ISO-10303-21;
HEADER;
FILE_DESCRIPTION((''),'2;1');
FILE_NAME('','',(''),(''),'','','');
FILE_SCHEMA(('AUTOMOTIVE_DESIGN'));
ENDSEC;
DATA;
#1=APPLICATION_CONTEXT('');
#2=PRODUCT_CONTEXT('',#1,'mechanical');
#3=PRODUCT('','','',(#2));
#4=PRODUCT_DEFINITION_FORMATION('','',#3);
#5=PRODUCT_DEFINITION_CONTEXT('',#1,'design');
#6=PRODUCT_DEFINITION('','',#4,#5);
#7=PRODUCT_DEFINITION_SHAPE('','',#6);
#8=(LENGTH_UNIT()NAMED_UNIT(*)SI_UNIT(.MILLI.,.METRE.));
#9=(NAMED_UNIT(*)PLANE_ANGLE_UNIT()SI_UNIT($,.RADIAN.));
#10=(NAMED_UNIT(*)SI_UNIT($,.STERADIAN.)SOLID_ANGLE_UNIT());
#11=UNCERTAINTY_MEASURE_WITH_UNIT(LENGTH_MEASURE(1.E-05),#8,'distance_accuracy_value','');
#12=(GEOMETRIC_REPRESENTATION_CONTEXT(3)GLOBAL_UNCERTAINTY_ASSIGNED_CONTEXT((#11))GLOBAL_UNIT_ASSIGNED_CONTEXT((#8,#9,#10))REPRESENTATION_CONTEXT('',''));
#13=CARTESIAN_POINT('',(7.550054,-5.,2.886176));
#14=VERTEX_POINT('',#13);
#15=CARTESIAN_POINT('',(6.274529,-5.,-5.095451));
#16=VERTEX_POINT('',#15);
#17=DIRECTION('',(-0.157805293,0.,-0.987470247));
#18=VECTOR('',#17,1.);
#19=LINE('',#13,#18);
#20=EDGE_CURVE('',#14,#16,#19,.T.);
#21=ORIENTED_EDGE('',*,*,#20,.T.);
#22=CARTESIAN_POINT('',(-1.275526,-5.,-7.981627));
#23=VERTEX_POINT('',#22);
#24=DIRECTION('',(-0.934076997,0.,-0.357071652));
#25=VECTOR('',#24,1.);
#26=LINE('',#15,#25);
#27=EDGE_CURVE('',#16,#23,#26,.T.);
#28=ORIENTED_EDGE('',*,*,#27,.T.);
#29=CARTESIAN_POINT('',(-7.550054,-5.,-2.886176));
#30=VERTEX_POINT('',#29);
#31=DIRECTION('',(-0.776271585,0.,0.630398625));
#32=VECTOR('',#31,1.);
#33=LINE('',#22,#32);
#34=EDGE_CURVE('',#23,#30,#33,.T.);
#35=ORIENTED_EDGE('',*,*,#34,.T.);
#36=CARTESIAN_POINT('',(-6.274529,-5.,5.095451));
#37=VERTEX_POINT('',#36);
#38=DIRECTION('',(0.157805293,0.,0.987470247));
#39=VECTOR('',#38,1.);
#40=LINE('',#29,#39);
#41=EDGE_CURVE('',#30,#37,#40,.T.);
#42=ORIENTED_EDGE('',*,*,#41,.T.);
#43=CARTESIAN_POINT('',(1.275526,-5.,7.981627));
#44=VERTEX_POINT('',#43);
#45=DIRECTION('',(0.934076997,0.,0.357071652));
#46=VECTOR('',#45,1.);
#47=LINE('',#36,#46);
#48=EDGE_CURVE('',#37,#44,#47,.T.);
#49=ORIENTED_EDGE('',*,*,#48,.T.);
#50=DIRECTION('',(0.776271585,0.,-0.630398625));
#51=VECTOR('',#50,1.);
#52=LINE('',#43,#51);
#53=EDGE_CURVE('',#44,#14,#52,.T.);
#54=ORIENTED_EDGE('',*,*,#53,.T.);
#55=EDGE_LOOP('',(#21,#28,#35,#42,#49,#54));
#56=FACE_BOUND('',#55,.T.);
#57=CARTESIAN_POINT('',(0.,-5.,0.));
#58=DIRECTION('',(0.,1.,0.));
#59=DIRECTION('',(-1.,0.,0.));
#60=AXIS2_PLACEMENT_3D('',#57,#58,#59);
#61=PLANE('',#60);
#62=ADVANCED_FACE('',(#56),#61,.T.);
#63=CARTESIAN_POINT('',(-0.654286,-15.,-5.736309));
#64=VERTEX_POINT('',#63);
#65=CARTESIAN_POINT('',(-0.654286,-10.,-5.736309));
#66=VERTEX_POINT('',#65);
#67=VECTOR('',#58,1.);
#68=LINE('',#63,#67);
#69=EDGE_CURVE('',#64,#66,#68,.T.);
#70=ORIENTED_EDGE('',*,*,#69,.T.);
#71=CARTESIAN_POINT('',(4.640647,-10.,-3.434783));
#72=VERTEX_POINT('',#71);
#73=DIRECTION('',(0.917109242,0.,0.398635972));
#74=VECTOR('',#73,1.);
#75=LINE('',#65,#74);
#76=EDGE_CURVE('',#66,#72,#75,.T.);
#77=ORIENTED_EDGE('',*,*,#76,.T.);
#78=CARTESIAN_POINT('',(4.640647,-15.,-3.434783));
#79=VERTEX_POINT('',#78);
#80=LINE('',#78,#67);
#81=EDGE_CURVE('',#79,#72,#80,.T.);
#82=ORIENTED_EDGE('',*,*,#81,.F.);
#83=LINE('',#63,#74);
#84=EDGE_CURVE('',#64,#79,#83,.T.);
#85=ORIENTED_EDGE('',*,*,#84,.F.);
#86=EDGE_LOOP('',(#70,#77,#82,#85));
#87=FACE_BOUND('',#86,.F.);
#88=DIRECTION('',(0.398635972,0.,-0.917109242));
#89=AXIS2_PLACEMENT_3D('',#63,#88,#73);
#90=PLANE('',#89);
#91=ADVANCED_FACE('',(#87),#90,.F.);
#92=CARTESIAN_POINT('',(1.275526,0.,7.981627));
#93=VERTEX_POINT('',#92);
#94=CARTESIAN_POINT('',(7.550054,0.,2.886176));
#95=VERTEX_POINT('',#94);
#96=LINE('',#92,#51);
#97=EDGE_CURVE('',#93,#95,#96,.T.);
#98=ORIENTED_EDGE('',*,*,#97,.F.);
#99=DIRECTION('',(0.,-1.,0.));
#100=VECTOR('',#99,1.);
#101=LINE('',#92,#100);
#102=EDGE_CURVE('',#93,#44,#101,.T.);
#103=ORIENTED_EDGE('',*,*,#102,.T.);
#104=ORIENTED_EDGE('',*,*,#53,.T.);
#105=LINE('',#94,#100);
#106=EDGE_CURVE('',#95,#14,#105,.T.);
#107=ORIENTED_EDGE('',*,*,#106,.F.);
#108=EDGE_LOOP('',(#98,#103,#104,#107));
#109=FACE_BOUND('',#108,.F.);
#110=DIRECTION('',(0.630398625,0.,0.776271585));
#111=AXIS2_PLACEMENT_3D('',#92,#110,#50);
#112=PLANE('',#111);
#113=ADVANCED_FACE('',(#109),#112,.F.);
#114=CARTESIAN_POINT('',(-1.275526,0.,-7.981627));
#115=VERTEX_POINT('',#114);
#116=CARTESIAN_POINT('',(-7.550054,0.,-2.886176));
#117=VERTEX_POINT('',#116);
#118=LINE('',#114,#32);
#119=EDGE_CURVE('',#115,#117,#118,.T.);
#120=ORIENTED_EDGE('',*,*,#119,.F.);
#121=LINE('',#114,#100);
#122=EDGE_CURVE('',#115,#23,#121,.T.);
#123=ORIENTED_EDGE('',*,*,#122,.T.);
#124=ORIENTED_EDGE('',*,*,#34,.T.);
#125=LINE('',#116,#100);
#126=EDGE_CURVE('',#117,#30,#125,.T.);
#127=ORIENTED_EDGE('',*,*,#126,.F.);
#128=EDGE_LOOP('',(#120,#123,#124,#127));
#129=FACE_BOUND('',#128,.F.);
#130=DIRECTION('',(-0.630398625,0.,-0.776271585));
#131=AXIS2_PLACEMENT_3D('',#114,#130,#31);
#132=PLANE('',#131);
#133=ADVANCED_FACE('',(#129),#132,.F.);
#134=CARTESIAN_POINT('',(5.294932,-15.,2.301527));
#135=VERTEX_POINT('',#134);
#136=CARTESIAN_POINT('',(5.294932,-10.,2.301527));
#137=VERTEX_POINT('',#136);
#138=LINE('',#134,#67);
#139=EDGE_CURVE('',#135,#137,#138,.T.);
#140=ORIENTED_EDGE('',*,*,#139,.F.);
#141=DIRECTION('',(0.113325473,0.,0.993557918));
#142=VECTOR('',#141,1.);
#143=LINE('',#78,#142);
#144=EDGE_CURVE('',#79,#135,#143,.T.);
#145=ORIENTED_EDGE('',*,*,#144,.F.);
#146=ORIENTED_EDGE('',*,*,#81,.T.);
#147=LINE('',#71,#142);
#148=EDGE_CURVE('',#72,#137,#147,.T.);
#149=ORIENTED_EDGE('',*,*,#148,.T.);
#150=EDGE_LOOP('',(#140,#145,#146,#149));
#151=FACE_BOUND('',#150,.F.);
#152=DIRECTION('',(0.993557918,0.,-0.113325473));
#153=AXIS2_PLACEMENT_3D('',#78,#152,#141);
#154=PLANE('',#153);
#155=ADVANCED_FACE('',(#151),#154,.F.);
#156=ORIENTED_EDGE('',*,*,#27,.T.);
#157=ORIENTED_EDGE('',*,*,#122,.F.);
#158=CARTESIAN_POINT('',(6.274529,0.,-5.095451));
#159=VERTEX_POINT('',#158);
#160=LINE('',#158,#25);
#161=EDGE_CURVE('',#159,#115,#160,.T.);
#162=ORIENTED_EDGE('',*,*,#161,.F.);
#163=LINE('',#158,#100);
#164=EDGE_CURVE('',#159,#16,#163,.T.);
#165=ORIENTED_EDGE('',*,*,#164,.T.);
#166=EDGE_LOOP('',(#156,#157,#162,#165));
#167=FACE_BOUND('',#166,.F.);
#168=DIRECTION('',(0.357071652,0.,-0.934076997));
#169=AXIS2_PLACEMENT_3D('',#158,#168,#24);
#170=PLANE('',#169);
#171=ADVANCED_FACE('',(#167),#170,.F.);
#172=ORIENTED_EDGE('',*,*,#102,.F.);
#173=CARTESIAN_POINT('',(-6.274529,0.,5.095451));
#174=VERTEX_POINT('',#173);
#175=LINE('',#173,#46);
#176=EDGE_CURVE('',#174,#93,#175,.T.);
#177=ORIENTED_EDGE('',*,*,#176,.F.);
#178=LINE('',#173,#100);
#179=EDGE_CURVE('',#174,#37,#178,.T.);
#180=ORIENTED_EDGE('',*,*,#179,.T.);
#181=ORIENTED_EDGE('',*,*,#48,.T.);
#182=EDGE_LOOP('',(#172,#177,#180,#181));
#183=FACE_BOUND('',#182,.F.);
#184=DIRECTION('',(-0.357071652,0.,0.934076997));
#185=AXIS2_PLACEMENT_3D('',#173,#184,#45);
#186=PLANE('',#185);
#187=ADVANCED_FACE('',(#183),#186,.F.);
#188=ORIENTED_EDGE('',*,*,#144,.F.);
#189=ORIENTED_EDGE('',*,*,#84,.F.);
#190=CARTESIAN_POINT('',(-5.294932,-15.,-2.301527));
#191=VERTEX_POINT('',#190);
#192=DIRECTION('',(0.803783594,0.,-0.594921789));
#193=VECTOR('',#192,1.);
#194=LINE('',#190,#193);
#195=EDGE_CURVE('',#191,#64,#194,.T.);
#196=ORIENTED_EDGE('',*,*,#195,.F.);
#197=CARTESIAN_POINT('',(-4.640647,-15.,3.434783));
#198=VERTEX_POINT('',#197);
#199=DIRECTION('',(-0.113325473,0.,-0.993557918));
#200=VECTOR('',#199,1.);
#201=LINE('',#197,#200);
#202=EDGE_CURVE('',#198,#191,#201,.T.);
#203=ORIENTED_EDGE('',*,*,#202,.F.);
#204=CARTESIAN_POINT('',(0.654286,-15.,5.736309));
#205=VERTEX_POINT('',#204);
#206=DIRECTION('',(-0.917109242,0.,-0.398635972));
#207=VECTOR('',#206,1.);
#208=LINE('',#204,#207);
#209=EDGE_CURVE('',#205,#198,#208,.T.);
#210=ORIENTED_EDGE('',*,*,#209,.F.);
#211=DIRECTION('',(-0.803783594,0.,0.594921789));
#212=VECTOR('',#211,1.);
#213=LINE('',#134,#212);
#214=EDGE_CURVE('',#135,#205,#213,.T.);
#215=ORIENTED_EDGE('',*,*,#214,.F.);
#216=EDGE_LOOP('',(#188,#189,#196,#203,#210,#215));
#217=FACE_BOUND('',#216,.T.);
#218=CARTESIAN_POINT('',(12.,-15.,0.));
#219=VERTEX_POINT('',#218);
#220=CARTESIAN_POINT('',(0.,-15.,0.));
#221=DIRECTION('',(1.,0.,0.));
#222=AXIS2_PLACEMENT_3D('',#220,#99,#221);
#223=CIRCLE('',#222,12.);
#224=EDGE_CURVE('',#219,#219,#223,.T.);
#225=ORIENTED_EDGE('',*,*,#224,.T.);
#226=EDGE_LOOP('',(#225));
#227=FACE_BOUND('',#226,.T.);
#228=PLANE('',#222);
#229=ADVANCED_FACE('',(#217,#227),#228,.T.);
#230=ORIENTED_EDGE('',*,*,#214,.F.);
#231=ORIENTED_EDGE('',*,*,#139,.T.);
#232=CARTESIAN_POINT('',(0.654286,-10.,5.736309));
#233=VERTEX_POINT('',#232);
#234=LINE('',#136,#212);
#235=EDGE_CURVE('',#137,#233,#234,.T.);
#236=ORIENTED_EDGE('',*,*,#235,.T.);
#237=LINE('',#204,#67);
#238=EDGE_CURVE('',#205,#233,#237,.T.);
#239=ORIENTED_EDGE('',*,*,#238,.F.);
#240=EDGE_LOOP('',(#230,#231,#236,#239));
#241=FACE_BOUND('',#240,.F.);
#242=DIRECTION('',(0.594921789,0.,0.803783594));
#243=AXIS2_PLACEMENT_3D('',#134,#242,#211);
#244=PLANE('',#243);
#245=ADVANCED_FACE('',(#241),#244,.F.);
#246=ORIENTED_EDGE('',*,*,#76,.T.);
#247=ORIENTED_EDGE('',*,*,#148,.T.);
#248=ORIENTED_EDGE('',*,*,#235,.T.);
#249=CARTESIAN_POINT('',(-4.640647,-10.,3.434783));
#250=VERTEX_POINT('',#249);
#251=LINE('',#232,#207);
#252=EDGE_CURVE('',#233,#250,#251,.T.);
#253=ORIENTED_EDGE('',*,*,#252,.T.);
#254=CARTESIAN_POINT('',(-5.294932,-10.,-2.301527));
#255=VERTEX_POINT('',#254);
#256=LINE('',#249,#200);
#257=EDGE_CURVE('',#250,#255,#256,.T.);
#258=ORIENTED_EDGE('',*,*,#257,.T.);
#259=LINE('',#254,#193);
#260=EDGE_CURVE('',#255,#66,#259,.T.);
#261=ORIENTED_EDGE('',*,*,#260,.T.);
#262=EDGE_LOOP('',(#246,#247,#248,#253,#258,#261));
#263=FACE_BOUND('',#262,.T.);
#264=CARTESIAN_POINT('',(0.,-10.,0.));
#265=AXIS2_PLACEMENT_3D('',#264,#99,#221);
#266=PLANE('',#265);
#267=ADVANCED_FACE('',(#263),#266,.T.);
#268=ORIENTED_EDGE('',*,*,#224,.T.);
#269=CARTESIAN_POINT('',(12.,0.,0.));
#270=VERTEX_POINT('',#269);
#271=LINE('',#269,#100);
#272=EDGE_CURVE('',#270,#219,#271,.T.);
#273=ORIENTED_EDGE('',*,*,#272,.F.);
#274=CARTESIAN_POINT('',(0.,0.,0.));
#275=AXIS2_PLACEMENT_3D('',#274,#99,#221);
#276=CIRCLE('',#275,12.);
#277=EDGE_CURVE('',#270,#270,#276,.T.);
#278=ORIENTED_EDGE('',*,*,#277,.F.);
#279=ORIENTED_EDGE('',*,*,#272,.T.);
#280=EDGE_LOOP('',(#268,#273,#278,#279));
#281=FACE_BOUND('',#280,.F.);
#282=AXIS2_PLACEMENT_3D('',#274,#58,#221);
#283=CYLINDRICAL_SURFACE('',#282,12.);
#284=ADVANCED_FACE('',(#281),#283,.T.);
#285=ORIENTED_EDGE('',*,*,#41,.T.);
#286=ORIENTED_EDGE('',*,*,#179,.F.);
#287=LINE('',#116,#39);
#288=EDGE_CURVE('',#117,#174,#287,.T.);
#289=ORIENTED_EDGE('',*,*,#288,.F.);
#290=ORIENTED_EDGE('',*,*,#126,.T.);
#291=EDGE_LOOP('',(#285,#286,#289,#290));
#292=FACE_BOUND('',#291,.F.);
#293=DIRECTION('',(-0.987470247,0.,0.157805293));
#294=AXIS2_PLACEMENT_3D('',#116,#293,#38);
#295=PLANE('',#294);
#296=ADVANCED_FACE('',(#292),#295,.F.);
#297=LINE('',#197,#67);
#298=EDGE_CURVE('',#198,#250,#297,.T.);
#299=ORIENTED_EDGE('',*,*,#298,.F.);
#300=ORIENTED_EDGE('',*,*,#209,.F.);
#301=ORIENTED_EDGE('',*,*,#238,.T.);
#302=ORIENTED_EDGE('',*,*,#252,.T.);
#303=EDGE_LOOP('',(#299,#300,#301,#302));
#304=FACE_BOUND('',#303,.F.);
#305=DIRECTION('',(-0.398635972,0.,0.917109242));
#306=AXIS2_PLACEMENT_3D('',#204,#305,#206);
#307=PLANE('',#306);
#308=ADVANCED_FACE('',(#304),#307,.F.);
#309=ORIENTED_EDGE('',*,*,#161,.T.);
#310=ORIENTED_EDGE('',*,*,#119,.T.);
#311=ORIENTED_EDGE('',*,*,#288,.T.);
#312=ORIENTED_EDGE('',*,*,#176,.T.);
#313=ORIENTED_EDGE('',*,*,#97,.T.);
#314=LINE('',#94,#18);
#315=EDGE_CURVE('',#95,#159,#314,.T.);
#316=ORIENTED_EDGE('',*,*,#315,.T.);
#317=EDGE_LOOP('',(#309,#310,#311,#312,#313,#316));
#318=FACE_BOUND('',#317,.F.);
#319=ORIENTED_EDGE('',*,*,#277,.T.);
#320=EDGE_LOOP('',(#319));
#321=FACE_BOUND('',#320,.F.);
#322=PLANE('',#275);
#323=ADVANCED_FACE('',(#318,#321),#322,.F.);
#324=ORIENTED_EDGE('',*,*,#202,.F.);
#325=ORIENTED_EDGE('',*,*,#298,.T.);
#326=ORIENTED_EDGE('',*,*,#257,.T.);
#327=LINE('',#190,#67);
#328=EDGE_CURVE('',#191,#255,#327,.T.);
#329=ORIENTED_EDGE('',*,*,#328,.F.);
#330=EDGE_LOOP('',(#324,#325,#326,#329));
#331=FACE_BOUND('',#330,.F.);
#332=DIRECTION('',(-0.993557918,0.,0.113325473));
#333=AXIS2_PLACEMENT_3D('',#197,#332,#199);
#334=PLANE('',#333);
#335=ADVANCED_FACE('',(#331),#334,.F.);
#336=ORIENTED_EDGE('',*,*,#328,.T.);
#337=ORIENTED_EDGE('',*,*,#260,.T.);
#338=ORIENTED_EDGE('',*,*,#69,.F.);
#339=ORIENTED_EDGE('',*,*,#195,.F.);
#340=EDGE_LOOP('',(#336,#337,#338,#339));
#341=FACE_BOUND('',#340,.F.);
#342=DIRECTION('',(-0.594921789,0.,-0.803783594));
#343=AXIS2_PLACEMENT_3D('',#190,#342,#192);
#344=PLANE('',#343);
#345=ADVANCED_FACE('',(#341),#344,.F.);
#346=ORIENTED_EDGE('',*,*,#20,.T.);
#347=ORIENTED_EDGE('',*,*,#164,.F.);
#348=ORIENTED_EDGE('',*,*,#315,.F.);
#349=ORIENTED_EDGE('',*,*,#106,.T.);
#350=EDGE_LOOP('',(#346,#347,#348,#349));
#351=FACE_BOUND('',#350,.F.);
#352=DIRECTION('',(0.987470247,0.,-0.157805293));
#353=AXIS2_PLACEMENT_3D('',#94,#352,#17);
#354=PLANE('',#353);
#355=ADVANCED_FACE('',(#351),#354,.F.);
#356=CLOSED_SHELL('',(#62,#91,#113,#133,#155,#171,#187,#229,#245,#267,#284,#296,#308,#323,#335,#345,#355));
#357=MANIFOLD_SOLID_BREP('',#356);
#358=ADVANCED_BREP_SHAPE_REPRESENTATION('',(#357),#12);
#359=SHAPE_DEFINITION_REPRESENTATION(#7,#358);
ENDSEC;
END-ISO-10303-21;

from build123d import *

# Parameters (mm, degrees)
F0_R     = 12
F1_DEPTH = 15
F3_DEPTH = 5
F5_DEPTH = 5


with BuildPart() as f1:
    # F0 (on Front) → F1 (new body)
    with BuildSketch(Plane.XZ):
        Circle(F0_R)
    extrude(amount=F1_DEPTH)

    # F2 (on face) → F3 (cut)
    with BuildSketch(Plane.XZ.offset(15)):
        Polygon((5.294932, 2.301527), (0.654286, 5.736309), (-4.640647, 3.434783), (-5.294932, -2.301527), (-0.654286, -5.736309), (4.640647, -3.434783), align=None)
    extrude(amount=-F3_DEPTH, mode=Mode.SUBTRACT)

    # F4 (on face) → F5 (cut)
    with BuildSketch(Plane(origin=(0, 0, 0), x_dir=(-1, 0, 0), z_dir=(0, 1, 0))):
        Polygon((6.274529, 5.095451), (-1.275526, 7.981627), (-7.550054, 2.886176), (-6.274529, -5.095451), (1.275526, -7.981627), (7.550054, -2.886176), align=None)
    extrude(amount=-F5_DEPTH, mode=Mode.SUBTRACT)


solid = f1.part
